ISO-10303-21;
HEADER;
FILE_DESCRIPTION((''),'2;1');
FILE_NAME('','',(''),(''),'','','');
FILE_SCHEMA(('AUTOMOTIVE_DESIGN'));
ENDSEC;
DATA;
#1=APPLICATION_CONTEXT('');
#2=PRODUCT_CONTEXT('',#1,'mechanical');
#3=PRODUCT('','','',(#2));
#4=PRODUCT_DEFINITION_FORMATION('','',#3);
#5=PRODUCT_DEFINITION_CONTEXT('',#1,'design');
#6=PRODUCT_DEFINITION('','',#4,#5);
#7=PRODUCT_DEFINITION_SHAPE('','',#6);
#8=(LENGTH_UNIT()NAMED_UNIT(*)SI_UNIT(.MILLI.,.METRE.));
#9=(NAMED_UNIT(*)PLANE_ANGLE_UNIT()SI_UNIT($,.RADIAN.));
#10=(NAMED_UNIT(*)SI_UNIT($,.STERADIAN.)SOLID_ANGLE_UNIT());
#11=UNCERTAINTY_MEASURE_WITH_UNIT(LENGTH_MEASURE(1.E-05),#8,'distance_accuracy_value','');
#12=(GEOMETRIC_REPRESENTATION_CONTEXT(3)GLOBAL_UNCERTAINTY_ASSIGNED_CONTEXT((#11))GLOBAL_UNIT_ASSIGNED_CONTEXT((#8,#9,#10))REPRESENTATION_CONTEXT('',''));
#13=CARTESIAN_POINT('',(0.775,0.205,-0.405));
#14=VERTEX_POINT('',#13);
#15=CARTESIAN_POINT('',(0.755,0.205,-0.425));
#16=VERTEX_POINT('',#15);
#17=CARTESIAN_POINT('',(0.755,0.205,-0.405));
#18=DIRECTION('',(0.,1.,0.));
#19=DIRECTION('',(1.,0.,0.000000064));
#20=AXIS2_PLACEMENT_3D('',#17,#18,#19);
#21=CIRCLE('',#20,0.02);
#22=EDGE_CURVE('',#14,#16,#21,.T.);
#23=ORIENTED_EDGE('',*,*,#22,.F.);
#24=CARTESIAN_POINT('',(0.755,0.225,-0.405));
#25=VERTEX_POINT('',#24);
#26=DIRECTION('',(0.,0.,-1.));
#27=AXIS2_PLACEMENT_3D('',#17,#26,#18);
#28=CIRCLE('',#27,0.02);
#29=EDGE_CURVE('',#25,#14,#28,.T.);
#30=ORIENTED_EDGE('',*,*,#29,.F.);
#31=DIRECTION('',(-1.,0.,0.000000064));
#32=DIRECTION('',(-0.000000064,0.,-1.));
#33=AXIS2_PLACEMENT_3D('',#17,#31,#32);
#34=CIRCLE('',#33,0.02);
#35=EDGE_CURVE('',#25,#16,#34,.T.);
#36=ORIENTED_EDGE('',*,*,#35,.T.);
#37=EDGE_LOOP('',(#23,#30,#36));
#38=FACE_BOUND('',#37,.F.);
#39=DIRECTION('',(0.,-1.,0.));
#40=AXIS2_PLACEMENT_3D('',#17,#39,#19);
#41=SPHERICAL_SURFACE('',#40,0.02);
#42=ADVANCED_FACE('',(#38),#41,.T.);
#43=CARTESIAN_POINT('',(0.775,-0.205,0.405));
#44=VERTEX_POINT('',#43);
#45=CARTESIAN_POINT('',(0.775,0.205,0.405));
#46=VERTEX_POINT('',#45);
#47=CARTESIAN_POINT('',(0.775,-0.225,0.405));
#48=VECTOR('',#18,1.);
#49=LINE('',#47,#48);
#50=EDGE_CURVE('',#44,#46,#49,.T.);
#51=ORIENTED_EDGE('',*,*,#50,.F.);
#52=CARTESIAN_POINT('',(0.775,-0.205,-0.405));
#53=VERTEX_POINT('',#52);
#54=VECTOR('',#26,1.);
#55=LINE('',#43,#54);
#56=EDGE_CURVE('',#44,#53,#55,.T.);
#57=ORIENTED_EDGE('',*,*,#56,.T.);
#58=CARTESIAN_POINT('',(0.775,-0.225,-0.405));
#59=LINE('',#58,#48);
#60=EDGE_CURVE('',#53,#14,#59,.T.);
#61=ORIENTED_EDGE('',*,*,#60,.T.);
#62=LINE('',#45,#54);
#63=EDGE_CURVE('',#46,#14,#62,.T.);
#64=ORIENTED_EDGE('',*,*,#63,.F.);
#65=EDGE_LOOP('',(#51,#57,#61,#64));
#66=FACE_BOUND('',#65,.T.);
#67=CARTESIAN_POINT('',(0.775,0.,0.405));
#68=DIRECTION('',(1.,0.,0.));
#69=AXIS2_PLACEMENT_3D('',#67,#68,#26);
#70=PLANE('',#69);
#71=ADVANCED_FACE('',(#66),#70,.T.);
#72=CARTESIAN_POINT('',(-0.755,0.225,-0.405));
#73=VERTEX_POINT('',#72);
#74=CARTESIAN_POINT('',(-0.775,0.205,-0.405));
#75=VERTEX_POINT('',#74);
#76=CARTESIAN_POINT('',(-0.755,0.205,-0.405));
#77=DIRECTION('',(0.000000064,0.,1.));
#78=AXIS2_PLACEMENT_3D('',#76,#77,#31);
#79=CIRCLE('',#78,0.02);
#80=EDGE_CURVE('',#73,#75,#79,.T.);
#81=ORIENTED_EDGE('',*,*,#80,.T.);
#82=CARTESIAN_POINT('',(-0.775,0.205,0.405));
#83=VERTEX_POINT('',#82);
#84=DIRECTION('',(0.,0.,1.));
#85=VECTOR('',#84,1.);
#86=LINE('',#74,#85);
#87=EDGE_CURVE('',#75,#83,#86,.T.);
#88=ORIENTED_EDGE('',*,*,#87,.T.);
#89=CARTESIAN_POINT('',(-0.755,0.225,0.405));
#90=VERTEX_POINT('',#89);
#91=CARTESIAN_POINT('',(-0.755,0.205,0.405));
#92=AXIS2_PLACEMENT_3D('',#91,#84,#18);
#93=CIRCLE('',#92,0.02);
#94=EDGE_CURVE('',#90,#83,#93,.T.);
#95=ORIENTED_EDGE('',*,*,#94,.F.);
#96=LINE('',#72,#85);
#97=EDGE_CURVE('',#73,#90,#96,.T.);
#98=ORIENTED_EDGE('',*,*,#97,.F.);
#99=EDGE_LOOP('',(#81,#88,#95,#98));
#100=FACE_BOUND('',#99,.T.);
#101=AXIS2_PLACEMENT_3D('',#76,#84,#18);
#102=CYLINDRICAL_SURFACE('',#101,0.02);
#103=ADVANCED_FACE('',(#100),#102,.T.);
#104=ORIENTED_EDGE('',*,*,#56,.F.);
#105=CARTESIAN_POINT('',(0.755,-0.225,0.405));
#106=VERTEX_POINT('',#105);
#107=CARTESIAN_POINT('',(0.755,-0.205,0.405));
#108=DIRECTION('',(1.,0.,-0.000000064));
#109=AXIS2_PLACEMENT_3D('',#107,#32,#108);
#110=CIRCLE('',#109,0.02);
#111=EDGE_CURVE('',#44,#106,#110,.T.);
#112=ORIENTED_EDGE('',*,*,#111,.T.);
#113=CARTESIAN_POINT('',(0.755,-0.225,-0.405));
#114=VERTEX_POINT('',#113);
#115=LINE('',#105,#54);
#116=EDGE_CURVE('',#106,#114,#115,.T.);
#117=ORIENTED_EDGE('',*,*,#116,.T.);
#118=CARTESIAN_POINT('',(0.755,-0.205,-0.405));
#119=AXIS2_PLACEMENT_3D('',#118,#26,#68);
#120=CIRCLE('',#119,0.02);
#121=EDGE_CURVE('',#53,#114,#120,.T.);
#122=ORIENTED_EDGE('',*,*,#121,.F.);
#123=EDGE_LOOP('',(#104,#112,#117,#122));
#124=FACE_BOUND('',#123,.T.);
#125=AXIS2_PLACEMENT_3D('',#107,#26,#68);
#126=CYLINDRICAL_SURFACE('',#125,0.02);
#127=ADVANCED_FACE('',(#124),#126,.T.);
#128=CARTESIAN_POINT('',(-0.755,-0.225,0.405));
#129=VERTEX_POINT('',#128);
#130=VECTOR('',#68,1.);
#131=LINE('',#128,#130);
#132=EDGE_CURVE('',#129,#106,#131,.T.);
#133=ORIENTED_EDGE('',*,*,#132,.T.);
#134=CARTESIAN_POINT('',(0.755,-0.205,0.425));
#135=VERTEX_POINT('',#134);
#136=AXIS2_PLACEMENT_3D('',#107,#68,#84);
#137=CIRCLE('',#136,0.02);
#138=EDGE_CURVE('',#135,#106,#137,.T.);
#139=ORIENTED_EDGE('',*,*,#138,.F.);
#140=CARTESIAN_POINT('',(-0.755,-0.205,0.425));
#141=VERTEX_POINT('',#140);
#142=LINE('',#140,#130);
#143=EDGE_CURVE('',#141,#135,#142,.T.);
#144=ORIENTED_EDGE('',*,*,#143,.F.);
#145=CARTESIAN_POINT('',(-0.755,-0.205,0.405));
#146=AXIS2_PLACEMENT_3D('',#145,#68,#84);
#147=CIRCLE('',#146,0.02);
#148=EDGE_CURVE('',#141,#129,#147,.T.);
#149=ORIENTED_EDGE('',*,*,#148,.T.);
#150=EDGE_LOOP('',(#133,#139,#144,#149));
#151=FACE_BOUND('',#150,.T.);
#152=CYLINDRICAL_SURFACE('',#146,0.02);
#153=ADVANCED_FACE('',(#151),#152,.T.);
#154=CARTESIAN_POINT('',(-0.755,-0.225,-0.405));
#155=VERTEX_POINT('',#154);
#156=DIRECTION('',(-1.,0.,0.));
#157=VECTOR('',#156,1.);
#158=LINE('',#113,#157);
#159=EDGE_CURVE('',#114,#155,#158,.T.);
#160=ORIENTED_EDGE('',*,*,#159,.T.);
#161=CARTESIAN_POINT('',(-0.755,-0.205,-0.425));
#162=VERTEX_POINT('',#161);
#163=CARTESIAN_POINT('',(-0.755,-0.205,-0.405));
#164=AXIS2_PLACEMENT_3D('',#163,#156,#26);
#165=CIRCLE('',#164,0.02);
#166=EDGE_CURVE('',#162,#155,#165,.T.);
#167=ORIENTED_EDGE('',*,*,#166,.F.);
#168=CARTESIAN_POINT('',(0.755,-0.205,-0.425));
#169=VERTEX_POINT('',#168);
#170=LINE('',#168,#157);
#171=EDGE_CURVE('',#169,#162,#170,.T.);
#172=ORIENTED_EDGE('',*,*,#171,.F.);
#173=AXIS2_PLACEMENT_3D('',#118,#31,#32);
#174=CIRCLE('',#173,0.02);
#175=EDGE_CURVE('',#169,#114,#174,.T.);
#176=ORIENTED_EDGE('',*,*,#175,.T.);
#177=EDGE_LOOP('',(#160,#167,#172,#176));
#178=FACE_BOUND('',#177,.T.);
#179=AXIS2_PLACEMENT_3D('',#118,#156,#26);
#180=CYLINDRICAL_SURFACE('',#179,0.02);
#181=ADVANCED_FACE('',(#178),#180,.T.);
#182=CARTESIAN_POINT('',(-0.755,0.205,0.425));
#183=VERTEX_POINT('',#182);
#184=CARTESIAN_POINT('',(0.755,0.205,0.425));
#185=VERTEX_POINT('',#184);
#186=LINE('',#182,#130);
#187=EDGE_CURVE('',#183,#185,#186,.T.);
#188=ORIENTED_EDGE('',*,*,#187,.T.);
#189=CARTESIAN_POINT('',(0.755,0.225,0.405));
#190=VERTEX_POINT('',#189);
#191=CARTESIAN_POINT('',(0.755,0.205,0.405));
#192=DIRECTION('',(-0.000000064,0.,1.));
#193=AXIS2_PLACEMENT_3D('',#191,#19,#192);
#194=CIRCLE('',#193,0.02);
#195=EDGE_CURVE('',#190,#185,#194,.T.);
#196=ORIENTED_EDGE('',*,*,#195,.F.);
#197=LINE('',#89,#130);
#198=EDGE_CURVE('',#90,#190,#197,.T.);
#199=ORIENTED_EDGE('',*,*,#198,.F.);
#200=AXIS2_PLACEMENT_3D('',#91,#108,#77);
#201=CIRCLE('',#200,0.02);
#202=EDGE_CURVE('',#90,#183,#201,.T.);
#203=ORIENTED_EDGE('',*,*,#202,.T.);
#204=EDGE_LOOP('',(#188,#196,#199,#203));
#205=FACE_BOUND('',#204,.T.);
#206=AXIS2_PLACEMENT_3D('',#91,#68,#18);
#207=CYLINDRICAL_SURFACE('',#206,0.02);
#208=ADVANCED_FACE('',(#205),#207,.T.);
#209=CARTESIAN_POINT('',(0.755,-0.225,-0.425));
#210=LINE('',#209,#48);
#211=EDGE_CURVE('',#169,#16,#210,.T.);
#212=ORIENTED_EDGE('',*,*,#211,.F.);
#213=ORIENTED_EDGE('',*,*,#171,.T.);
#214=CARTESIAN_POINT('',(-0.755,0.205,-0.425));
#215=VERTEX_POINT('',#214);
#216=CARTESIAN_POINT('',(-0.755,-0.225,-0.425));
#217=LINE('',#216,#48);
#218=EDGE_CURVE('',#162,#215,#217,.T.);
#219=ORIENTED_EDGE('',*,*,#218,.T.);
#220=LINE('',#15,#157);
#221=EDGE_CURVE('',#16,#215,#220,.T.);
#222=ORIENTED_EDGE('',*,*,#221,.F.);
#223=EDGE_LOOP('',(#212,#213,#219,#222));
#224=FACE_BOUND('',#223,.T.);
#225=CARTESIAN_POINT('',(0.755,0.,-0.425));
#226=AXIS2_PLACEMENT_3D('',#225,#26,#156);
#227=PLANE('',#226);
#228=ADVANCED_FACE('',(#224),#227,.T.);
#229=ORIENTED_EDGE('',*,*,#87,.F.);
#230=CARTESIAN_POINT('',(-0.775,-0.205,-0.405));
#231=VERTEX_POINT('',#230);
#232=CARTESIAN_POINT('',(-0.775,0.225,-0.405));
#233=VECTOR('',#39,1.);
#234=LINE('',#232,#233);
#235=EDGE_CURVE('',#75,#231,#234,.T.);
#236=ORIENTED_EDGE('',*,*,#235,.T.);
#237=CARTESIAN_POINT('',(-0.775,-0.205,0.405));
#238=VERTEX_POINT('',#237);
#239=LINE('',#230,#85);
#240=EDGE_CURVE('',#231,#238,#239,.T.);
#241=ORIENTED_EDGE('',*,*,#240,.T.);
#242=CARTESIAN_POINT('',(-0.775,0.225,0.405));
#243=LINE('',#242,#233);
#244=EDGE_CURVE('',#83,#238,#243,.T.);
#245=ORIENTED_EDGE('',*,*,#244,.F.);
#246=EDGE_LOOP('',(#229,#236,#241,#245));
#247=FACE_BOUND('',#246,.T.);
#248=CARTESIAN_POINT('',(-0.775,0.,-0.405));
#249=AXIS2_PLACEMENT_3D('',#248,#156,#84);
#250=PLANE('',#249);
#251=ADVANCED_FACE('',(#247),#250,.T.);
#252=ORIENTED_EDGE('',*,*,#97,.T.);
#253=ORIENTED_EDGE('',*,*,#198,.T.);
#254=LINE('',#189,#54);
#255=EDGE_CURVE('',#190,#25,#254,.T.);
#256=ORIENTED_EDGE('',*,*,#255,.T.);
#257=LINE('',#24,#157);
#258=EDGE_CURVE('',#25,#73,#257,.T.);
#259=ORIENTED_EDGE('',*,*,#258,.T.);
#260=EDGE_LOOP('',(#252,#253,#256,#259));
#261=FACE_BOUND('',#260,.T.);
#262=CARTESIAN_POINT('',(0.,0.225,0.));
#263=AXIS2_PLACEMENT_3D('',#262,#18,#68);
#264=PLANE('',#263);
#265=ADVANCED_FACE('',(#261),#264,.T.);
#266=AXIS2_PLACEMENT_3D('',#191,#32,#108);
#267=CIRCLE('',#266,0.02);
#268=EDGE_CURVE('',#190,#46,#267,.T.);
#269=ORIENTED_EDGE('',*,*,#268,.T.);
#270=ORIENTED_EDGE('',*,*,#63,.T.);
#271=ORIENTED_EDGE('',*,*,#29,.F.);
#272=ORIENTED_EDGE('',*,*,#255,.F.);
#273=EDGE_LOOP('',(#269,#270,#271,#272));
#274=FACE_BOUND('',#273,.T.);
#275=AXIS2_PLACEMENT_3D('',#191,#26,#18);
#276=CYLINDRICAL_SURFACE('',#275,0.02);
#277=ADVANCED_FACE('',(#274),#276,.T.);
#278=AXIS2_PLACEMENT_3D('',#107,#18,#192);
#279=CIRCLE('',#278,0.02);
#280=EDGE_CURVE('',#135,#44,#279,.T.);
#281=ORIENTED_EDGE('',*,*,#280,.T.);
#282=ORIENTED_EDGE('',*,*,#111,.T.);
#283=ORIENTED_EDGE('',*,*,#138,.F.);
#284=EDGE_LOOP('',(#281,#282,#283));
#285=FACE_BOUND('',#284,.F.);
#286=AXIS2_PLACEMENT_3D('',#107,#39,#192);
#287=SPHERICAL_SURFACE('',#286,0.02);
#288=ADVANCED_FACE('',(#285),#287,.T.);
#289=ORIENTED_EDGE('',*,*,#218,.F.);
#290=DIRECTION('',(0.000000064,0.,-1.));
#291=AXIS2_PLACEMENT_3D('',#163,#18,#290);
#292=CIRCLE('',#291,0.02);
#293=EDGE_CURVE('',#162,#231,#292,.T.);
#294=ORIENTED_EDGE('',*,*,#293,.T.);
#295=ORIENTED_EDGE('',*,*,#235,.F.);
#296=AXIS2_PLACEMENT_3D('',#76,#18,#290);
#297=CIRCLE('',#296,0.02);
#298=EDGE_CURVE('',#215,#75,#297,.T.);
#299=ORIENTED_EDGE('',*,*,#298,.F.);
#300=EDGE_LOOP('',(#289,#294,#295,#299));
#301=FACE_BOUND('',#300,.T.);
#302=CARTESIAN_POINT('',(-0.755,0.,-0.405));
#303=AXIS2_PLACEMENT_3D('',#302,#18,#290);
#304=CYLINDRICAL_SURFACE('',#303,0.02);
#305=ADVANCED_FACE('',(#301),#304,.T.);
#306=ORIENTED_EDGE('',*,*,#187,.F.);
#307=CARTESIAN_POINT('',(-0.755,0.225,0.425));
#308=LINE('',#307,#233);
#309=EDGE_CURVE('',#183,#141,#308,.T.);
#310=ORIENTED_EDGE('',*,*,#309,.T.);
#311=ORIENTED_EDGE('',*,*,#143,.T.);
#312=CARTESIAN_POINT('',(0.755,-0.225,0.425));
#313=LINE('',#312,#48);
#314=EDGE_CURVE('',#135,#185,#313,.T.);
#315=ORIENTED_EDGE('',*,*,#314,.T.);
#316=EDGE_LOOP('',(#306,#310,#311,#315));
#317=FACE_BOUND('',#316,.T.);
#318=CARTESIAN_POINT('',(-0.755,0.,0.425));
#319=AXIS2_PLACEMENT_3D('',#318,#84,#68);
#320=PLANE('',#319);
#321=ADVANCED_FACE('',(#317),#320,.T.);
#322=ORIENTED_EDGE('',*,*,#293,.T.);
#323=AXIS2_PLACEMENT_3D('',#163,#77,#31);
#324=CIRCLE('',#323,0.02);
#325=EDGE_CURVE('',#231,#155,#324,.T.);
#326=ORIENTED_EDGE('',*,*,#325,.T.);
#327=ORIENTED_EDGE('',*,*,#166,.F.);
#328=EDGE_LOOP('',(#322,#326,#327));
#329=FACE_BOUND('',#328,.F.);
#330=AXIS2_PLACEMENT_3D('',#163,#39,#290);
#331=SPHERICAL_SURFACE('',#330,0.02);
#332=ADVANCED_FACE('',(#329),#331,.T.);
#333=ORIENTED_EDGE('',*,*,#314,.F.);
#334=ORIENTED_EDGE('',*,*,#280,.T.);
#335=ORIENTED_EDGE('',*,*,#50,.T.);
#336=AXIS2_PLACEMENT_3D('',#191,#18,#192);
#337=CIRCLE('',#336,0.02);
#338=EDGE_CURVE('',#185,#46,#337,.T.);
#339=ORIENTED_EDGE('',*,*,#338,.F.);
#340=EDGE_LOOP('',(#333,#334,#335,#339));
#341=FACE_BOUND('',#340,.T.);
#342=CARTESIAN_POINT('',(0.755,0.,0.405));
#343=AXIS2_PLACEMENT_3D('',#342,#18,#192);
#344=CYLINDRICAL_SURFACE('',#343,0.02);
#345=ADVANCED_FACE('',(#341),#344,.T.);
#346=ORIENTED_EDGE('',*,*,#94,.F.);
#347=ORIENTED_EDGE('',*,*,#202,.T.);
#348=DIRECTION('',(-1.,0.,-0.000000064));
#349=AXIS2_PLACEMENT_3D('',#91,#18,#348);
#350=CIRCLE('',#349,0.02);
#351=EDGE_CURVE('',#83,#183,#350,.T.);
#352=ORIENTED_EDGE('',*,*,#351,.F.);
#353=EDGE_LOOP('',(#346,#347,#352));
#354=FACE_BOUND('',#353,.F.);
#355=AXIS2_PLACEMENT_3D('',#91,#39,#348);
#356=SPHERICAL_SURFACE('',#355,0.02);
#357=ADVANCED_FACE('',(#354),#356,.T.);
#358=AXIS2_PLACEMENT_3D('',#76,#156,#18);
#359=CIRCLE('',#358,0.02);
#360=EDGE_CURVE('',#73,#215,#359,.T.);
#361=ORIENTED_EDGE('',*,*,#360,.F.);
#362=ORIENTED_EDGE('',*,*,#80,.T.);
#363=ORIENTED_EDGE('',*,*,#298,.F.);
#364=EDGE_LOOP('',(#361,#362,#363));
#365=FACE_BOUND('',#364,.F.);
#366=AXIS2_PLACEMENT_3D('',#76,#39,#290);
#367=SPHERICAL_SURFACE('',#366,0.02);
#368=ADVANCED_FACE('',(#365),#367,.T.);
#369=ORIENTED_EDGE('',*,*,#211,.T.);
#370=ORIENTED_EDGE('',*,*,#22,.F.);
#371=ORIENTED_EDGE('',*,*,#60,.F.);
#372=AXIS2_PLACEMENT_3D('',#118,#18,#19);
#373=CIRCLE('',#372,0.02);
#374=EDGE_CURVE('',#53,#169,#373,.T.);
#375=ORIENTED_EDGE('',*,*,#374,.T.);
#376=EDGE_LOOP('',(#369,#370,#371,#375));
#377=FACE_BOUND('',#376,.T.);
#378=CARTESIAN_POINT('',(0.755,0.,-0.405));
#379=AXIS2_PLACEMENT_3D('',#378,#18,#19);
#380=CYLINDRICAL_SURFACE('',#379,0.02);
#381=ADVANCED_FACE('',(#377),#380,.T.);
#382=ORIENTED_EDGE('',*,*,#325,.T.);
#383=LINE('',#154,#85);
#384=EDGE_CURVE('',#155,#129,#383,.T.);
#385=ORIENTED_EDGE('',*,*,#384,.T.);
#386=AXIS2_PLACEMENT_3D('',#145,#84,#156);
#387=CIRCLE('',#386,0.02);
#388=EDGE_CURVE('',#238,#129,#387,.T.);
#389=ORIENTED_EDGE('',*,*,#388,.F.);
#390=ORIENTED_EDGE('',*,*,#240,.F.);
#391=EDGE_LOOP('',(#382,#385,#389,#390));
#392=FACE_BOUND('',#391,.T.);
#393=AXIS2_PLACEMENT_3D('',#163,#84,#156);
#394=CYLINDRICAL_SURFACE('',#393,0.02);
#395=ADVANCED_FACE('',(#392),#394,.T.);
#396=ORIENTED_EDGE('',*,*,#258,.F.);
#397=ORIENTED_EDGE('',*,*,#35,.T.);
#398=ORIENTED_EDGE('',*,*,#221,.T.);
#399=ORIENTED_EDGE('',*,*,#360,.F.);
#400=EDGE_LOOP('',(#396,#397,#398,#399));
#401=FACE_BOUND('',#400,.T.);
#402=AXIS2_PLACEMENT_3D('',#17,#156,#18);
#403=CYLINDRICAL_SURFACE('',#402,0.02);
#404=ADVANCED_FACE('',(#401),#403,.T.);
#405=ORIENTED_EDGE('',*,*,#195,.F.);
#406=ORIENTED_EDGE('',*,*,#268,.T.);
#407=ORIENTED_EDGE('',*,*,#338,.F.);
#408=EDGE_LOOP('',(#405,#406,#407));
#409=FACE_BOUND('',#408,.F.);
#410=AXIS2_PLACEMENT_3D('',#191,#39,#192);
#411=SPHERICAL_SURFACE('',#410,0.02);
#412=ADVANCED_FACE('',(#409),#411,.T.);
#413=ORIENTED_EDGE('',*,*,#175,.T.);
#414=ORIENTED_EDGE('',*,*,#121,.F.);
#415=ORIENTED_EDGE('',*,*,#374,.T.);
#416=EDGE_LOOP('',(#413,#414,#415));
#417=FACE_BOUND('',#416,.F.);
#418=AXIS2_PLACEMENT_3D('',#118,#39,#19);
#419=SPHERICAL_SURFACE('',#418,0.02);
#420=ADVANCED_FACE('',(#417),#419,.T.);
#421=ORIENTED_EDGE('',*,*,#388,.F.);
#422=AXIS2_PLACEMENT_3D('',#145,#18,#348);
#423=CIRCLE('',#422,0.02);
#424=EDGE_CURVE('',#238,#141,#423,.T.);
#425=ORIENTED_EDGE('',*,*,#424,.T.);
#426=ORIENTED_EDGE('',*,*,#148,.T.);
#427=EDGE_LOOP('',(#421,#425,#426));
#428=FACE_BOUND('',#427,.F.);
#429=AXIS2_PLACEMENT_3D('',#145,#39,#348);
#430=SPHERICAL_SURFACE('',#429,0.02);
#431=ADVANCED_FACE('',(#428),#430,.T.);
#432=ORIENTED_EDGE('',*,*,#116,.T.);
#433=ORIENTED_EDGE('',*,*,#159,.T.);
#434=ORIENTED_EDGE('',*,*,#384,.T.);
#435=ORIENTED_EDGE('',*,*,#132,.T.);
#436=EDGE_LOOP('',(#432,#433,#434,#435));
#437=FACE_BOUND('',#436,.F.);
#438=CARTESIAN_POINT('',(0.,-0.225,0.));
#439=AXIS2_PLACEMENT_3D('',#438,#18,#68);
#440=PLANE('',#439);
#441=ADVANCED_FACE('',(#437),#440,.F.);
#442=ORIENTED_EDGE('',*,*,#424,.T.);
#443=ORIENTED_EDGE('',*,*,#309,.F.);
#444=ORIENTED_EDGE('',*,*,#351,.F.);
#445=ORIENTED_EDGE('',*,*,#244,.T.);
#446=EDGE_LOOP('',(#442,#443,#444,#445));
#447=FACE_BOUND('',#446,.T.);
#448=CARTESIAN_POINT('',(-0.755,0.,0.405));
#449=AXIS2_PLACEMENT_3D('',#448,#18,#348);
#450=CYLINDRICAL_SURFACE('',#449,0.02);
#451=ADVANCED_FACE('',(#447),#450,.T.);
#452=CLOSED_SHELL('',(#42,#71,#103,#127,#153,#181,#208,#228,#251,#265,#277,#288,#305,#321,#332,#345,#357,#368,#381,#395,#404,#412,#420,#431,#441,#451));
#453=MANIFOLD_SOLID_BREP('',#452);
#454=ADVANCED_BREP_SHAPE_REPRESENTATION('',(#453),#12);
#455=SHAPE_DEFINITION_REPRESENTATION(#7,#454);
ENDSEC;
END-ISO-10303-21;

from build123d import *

# Parameters (mm, degrees)
BOSS_EXTRUDE1_DEPTH = 0.225
FILLET2_R           = 0.02


with BuildPart() as part:
    # Sketch1 → Boss-Extrude1 (new, symmetric)
    with BuildSketch(Plane(origin=(0, 0, 0), x_dir=(1, 0, 0), z_dir=(0, 1, 0))):
        with BuildLine():
            Line((-0.755, -0.425), (0.755, -0.425))
            ThreePointArc((0.755, -0.425), (0.769142136, -0.419142136), (0.775, -0.405))
            Line((0.775, -0.405), (0.775, 0.405))
            ThreePointArc((0.775, 0.405), (0.769142136, 0.419142136), (0.755, 0.425))
            Line((0.755, 0.425), (-0.755, 0.425))
            ThreePointArc((-0.755, 0.425), (-0.769142136, 0.419142136), (-0.775, 0.405))
            Line((-0.775, 0.405), (-0.775, -0.405))
            ThreePointArc((-0.775, -0.405), (-0.769142136, -0.419142136), (-0.755, -0.425))
        make_face()
    extrude(amount=BOSS_EXTRUDE1_DEPTH, both=True)

    # Fillet2
    fillet2_edges = [part.edges().sort_by_distance(p)[0] for p in [
        (0.769142136, 0.225, 0.419142136),
        (0, -0.225, 0.425),
        (0, -0.225, 0.425),
        (-0.769142136, -0.225, 0.419142136),
        (0, -0.225, 0.425),
        (0, -0.225, -0.425),
        (0, -0.225, -0.425),
        (0.775, 0.225, 0),
        (0.769142136, 0.225, -0.419142136),
        (0, 0.225, -0.425),
        (-0.769142136, 0.225, -0.419142136),
        (-0.775, 0.225, 0),
        (-0.769142136, 0.225, 0.419142136),
        (0, 0.225, 0.425),
        (-0.775, -0.225, 0),
        (0, 0.225, 0.425),
        (0, 0.225, -0.425),
        (-0.769142136, -0.225, -0.419142136),
        (0, -0.225, -0.425),
        (0, 0.225, -0.425),
        (0, 0.225, 0.425),
        (0.769142136, -0.225, -0.419142136),
        (0.775, -0.225, 0),
        (0.769142136, -0.225, 0.419142136),
    ]]
    fillet(fillet2_edges, radius=FILLET2_R)


solid = part.part
